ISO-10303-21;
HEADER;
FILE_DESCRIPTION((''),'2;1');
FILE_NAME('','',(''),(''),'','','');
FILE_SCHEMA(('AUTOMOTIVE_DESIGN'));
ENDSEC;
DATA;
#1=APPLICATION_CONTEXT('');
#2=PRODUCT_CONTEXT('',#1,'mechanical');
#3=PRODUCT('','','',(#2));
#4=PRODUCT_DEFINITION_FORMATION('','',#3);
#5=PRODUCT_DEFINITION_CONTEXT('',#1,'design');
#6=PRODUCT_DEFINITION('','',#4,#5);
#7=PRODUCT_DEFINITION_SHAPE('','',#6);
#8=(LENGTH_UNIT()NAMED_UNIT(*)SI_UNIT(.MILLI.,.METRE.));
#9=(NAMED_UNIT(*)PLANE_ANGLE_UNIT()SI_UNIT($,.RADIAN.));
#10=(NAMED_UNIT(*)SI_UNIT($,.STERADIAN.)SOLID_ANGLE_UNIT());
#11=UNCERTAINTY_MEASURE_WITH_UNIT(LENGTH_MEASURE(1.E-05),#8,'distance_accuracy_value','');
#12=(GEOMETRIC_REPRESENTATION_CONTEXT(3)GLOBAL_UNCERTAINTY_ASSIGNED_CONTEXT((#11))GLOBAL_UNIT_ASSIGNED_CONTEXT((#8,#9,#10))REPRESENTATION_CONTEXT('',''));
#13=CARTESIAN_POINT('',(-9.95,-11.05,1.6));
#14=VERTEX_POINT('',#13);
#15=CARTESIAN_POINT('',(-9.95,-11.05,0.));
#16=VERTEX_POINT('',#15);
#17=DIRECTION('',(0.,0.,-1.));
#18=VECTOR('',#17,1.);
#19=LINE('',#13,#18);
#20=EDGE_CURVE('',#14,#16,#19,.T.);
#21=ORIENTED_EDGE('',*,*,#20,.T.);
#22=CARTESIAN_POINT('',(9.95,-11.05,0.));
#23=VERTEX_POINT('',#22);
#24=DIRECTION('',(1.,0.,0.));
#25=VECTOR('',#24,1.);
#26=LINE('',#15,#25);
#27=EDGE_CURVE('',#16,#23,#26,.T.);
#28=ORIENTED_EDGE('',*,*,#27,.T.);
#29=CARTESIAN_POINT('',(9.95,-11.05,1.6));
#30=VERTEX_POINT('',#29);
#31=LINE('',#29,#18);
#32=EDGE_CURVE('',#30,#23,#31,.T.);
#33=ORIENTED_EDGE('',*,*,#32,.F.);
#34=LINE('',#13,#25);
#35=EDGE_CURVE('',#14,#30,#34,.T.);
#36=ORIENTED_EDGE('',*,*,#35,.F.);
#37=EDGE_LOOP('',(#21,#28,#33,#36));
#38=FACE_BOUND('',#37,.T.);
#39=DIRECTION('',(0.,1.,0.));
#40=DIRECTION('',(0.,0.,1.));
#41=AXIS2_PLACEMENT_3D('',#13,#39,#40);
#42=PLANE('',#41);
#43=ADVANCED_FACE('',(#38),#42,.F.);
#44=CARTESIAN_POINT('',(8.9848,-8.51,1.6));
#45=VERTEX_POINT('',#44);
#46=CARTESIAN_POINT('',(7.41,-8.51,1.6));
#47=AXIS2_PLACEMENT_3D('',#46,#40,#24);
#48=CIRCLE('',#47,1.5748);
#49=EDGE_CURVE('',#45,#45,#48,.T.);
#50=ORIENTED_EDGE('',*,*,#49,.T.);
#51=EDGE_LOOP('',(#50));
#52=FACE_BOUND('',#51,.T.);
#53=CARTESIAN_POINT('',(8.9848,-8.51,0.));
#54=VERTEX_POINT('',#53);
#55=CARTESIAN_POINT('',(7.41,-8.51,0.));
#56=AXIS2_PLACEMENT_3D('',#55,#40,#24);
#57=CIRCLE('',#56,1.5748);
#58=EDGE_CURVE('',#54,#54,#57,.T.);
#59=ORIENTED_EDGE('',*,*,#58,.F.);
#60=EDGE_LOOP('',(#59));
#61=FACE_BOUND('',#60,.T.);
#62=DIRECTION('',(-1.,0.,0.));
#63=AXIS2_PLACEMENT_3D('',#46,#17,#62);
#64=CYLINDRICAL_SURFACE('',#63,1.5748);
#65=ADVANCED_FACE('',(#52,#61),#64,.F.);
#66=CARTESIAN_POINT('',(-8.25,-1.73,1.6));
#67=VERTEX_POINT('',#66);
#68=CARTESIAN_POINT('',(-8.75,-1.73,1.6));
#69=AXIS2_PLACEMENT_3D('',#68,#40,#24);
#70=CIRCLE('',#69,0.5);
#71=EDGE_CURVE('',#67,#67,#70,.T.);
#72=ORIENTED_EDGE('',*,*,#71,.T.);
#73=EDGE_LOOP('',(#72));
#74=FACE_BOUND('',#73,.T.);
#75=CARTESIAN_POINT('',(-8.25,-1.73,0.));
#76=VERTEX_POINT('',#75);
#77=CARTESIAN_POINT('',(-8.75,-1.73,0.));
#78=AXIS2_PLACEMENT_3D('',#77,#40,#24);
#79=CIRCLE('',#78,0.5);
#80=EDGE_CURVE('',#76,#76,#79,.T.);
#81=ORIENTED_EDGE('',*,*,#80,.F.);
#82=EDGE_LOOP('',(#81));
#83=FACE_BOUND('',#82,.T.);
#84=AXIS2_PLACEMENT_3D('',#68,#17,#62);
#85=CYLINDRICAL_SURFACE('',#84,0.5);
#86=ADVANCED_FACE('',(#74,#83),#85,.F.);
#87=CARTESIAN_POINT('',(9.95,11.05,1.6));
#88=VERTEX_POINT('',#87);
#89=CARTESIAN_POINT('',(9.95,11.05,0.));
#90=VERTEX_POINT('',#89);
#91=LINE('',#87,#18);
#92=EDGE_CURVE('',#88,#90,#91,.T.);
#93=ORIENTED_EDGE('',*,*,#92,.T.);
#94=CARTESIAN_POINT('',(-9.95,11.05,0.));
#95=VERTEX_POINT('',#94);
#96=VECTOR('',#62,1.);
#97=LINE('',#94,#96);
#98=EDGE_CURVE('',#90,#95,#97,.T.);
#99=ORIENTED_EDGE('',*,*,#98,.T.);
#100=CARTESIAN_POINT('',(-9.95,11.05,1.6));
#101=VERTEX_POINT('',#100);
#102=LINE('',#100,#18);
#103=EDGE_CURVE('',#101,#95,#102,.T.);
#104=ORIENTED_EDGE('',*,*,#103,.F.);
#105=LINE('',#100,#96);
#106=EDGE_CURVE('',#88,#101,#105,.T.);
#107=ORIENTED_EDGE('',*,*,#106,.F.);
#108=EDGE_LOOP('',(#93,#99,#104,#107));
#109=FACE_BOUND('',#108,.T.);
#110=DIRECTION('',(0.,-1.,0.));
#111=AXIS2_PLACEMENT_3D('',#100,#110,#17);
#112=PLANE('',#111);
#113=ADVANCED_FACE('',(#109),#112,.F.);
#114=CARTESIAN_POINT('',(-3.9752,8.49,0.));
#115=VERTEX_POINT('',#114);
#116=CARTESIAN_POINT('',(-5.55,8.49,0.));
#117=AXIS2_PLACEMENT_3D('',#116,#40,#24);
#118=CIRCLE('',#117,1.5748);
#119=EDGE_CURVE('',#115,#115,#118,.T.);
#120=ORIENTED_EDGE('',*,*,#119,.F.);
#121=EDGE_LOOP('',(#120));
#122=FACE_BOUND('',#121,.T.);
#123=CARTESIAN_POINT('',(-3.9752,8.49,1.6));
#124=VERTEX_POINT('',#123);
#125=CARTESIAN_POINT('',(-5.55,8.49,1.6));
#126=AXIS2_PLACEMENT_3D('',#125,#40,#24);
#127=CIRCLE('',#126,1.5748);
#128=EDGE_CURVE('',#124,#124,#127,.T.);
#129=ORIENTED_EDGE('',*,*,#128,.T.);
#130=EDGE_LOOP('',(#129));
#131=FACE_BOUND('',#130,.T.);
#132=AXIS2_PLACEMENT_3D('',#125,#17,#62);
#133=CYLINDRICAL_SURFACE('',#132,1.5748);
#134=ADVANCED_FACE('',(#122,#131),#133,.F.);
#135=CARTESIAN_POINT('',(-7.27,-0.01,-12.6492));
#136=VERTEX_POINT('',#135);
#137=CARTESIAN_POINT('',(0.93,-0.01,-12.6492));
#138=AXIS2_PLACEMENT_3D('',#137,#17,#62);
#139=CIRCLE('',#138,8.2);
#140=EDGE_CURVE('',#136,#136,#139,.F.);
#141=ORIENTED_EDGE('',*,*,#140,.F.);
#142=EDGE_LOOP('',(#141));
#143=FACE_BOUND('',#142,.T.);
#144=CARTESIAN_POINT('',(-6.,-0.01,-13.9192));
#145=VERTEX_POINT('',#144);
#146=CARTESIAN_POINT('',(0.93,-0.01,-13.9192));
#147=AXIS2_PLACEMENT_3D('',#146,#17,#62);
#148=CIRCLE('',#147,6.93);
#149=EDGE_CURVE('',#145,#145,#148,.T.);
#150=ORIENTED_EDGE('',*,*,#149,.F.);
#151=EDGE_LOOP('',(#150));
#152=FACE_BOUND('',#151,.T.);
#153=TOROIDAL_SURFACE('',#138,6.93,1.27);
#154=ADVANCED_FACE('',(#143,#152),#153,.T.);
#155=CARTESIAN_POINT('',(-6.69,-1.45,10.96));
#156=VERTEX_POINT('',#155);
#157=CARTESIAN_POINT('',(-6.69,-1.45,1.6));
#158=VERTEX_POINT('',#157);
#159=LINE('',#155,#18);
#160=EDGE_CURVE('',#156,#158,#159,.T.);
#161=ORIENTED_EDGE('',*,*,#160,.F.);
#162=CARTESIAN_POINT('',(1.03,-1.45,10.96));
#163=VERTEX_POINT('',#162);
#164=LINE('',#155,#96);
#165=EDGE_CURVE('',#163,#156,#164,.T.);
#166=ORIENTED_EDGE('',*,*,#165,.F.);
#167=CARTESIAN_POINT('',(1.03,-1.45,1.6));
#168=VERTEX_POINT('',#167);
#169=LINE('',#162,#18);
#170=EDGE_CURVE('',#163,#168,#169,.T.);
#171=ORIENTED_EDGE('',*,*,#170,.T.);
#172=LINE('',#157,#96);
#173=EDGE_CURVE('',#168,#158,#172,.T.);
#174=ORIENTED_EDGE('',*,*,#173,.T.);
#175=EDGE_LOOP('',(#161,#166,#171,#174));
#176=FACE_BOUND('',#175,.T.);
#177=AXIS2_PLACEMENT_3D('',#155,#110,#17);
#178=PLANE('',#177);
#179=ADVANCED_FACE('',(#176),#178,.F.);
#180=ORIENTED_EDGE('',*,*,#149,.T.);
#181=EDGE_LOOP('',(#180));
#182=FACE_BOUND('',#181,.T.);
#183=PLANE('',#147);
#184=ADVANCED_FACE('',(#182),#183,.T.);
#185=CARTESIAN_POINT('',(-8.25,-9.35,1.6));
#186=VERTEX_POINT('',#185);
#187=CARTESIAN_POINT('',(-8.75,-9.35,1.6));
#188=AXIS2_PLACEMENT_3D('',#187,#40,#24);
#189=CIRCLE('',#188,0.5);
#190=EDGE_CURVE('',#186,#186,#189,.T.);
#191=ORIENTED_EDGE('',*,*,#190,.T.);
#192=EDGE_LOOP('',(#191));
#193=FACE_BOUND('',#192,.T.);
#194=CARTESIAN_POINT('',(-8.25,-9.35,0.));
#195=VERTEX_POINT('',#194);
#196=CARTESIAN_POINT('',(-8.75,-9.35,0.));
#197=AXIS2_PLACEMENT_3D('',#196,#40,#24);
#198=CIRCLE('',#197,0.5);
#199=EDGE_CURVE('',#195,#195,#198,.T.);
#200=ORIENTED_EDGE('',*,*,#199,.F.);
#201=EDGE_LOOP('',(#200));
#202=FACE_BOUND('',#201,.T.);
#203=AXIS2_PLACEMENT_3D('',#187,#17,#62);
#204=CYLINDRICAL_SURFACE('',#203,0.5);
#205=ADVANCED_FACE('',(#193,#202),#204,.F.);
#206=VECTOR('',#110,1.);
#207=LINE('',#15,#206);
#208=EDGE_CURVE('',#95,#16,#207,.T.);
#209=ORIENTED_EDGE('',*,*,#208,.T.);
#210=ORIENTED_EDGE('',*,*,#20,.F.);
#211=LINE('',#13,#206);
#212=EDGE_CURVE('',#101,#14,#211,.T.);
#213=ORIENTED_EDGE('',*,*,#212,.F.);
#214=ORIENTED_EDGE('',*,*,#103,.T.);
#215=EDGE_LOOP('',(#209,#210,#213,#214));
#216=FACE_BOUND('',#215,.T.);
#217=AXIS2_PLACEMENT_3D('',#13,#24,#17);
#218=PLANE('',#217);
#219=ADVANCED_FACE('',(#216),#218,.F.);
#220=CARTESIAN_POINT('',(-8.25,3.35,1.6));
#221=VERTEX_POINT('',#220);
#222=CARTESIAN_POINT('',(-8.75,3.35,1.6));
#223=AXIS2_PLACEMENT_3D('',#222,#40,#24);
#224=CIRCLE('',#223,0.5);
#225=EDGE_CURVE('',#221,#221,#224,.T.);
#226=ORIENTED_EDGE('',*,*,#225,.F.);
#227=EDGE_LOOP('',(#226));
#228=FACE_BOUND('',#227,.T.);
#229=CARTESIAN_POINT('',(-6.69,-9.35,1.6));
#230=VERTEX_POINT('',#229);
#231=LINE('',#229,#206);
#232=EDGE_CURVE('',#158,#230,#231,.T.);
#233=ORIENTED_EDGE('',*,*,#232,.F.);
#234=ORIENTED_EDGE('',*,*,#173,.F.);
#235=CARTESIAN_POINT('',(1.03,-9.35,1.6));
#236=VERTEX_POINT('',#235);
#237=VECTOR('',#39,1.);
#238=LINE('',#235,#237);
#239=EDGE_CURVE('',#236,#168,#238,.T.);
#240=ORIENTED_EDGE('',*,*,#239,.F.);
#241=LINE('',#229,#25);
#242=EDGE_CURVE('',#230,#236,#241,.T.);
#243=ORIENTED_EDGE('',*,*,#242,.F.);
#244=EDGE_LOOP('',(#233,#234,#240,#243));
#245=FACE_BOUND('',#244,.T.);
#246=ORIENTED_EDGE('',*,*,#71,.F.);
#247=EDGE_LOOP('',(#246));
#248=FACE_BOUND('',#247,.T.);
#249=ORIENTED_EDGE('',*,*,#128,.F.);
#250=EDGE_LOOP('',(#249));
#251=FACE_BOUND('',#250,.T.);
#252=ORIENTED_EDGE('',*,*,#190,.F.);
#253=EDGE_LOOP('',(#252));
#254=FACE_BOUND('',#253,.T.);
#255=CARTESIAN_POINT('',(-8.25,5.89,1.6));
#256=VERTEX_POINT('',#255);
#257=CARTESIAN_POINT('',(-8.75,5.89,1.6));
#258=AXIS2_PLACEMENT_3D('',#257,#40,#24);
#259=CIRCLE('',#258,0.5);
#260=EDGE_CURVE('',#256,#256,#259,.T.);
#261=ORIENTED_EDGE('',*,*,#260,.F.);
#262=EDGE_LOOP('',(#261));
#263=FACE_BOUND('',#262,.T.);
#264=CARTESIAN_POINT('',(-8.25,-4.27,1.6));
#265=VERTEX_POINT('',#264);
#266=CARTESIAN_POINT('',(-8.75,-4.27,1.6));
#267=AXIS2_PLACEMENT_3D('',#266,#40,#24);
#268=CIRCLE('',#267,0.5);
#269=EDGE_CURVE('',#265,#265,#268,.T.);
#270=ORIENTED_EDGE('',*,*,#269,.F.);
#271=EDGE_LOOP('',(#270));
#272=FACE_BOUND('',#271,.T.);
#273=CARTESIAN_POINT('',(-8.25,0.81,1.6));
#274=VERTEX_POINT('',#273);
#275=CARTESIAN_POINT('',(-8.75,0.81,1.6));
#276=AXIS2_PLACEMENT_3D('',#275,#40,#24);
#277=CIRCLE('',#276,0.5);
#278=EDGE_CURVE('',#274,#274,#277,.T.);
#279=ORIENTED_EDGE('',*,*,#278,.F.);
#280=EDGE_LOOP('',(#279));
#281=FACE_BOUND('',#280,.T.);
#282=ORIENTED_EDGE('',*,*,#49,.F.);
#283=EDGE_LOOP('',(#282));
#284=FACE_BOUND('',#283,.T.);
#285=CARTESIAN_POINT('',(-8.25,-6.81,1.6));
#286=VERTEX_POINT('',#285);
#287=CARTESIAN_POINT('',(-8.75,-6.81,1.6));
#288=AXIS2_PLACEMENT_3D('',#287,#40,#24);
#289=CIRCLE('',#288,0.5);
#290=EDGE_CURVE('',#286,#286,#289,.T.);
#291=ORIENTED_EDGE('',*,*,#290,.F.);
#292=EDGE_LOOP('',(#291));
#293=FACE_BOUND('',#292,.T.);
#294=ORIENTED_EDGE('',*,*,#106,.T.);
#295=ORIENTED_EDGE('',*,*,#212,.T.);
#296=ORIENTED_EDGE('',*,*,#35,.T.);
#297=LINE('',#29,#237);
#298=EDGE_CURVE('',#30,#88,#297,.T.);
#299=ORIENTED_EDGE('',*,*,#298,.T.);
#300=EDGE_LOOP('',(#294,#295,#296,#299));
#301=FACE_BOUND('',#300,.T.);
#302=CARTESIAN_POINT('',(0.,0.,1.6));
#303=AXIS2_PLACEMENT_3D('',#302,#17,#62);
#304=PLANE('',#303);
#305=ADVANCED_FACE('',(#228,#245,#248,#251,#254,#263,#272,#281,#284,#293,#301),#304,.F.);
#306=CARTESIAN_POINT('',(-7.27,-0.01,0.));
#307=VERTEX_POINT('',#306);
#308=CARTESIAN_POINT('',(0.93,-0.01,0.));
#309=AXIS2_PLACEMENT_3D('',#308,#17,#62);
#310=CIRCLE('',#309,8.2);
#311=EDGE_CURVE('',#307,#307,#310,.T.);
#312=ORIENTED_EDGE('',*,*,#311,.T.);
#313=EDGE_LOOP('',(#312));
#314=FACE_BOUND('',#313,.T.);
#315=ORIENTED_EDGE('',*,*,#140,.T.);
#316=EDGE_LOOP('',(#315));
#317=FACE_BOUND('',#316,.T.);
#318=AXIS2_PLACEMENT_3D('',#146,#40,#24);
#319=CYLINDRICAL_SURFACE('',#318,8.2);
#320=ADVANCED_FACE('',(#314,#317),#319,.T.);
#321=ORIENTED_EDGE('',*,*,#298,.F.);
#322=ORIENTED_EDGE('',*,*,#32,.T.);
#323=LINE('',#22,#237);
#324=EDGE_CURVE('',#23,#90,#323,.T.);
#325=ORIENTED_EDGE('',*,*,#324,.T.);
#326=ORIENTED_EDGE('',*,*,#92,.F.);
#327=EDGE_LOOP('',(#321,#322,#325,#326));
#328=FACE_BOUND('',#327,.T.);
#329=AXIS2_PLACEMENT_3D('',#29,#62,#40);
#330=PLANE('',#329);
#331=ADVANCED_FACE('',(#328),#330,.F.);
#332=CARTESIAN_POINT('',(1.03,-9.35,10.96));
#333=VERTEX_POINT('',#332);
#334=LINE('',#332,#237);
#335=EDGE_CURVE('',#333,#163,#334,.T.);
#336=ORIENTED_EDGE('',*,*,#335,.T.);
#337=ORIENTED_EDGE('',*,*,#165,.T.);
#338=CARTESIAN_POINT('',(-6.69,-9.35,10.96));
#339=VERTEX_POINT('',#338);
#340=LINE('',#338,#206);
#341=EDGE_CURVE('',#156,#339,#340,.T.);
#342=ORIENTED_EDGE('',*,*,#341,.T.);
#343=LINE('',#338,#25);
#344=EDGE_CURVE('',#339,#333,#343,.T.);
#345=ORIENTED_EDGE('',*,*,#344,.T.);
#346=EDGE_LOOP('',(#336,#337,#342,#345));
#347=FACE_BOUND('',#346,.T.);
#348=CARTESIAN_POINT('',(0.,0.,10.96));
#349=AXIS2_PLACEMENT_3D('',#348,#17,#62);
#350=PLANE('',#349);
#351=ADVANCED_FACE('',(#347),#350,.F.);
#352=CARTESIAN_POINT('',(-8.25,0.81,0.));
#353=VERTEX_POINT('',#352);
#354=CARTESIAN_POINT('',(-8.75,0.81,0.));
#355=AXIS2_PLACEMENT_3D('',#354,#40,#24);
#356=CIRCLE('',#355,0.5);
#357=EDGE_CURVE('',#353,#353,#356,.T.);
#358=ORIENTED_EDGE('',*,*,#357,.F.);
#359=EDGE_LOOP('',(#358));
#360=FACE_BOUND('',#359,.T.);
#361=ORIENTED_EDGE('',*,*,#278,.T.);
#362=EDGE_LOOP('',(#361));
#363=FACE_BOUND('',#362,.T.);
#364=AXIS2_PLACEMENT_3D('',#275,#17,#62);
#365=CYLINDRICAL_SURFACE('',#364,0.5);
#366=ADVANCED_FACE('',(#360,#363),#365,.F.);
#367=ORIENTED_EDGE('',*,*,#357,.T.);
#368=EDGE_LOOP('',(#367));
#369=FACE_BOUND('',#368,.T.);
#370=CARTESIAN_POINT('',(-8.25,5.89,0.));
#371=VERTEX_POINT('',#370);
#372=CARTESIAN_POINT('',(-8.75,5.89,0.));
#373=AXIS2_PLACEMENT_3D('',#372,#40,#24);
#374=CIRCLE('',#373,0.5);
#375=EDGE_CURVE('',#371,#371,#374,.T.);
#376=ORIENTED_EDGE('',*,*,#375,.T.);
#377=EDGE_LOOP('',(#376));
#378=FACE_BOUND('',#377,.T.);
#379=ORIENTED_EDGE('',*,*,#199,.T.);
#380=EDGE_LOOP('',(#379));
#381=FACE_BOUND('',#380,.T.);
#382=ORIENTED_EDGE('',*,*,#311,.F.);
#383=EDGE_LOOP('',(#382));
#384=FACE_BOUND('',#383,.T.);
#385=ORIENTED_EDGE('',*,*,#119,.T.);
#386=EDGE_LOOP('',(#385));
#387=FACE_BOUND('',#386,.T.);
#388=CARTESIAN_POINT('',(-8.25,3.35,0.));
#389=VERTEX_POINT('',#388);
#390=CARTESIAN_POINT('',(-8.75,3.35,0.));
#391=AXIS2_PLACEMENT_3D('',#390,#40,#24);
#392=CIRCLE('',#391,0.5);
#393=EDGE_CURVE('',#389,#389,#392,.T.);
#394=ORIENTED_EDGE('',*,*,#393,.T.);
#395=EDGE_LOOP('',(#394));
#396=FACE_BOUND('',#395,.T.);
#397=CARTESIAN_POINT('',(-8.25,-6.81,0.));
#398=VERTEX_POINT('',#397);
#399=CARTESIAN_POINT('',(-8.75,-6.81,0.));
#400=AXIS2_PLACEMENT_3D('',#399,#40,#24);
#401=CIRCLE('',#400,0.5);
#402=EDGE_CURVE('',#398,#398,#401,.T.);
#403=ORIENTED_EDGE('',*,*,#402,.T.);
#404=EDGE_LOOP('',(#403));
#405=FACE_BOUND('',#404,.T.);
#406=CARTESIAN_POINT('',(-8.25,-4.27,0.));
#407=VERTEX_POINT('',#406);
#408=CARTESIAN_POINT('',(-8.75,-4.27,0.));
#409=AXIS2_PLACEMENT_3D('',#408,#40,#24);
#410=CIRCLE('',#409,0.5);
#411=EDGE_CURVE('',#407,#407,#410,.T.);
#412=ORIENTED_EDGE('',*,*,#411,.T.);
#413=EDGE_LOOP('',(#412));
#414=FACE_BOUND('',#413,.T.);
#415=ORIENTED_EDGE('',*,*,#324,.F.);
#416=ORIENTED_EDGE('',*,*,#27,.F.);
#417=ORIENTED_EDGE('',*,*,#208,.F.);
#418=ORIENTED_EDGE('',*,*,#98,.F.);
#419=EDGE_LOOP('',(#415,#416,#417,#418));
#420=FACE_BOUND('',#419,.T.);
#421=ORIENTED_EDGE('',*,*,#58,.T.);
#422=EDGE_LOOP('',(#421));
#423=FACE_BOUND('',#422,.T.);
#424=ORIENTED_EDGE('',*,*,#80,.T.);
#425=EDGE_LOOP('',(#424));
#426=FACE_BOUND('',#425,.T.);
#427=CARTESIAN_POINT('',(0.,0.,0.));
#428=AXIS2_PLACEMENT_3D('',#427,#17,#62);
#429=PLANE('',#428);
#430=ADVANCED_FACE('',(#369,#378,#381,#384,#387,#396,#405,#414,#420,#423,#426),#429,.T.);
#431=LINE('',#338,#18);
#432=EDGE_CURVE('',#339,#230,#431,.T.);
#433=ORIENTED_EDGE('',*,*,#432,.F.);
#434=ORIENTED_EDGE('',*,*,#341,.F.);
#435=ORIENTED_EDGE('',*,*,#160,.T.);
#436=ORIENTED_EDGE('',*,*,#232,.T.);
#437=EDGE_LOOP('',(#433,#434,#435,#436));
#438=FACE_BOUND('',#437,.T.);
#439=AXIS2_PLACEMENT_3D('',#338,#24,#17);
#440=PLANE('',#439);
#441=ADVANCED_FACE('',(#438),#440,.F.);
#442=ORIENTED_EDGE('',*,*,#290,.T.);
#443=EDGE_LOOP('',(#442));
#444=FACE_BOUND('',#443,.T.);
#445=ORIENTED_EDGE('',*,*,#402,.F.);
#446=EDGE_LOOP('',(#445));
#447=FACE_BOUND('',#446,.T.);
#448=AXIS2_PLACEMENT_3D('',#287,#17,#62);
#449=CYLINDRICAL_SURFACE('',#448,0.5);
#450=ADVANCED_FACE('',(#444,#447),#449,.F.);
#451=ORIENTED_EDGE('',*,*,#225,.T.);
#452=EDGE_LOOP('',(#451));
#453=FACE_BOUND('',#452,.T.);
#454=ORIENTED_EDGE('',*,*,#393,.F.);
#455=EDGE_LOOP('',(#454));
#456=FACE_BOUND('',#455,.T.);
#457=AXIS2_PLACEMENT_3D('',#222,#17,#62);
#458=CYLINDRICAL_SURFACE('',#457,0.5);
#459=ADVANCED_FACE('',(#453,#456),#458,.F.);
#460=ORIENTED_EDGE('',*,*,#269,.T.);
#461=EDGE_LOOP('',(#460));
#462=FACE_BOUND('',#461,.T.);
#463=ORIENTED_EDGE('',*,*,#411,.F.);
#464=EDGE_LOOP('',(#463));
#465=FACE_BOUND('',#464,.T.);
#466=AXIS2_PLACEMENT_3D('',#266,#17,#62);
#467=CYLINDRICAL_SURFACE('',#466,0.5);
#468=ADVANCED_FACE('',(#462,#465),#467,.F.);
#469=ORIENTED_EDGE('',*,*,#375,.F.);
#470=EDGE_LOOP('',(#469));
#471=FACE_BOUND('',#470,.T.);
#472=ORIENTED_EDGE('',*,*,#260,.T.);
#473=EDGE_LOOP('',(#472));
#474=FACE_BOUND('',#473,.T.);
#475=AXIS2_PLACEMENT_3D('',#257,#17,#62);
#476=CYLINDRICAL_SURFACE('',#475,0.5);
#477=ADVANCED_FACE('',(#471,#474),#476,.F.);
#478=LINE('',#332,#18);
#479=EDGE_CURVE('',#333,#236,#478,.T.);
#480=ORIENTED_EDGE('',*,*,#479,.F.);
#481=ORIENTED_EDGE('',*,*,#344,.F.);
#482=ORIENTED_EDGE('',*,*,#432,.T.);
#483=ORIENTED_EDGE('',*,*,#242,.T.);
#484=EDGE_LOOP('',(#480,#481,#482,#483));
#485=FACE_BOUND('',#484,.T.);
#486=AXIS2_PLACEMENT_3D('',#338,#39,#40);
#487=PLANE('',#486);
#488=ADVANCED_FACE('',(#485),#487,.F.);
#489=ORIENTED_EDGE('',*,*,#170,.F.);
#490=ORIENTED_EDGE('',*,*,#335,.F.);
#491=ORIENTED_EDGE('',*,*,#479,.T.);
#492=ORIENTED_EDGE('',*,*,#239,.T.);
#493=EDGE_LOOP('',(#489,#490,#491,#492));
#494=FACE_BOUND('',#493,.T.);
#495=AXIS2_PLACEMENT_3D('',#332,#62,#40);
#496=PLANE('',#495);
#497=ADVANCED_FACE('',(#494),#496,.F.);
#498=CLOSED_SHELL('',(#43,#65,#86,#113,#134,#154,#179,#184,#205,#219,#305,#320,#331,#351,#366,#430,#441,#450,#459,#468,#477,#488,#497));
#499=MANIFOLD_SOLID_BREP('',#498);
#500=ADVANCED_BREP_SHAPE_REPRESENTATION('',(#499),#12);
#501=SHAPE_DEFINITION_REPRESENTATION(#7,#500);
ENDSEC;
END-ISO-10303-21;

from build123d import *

# Parameters (mm, degrees)
SKETCH1_W           = 19.9
SKETCH1_H           = 22.1
SKETCH1_R           = 1.5748
SKETCH1_R_2         = 0.5
BOSS_EXTRUDE1_DEPTH = 1.6
SKETCH2_R           = 8.2
BOSS_EXTRUDE2_DEPTH = 13.9192
FILLET2_R           = 1.27
SKETCH3_W           = 7.72
SKETCH3_H           = 7.9
BOSS_EXTRUDE3_DEPTH = 9.36


with BuildPart() as part:
    # Sketch1 → Boss-Extrude1 (new body)
    with BuildSketch(Plane.XY):
        Rectangle(SKETCH1_W, SKETCH1_H)
        with Locations((-5.55, 8.49)):
            Circle(SKETCH1_R, mode=Mode.SUBTRACT)
        with Locations((7.41, -8.51)):
            Circle(SKETCH1_R, mode=Mode.SUBTRACT)
        with Locations((-8.75, -9.35)):
            Circle(SKETCH1_R_2, mode=Mode.SUBTRACT)
        with Locations((-8.75, -6.81)):
            Circle(SKETCH1_R_2, mode=Mode.SUBTRACT)
        with Locations((-8.75, -4.27)):
            Circle(SKETCH1_R_2, mode=Mode.SUBTRACT)
        with Locations((-8.75, -1.73)):
            Circle(SKETCH1_R_2, mode=Mode.SUBTRACT)
        with Locations((-8.75, 0.81)):
            Circle(SKETCH1_R_2, mode=Mode.SUBTRACT)
        with Locations((-8.75, 3.35)):
            Circle(SKETCH1_R_2, mode=Mode.SUBTRACT)
        with Locations((-8.75, 5.89)):
            Circle(SKETCH1_R_2, mode=Mode.SUBTRACT)
    extrude(amount=BOSS_EXTRUDE1_DEPTH)

    # Sketch2 → Boss-Extrude2 (add)
    with BuildSketch(Plane(origin=(0, 0, 0), x_dir=(-1, 0, 0), z_dir=(0, 0, -1))):
        with Locations((-0.93, -0.01)):
            Circle(SKETCH2_R)
    extrude(amount=BOSS_EXTRUDE2_DEPTH)

    # Fillet2
    fillet2_edges = [part.edges().sort_by_distance(p)[0] for p in [
        (9.13, -0.01, -13.9192),
    ]]
    fillet(fillet2_edges, radius=FILLET2_R)

    # Sketch3 → Boss-Extrude3 (add)
    with BuildSketch(Plane.XY.offset(1.6)):
        with Locations((-2.83, -5.4)):
            Rectangle(SKETCH3_W, SKETCH3_H)
    extrude(amount=BOSS_EXTRUDE3_DEPTH)


solid = part.part
